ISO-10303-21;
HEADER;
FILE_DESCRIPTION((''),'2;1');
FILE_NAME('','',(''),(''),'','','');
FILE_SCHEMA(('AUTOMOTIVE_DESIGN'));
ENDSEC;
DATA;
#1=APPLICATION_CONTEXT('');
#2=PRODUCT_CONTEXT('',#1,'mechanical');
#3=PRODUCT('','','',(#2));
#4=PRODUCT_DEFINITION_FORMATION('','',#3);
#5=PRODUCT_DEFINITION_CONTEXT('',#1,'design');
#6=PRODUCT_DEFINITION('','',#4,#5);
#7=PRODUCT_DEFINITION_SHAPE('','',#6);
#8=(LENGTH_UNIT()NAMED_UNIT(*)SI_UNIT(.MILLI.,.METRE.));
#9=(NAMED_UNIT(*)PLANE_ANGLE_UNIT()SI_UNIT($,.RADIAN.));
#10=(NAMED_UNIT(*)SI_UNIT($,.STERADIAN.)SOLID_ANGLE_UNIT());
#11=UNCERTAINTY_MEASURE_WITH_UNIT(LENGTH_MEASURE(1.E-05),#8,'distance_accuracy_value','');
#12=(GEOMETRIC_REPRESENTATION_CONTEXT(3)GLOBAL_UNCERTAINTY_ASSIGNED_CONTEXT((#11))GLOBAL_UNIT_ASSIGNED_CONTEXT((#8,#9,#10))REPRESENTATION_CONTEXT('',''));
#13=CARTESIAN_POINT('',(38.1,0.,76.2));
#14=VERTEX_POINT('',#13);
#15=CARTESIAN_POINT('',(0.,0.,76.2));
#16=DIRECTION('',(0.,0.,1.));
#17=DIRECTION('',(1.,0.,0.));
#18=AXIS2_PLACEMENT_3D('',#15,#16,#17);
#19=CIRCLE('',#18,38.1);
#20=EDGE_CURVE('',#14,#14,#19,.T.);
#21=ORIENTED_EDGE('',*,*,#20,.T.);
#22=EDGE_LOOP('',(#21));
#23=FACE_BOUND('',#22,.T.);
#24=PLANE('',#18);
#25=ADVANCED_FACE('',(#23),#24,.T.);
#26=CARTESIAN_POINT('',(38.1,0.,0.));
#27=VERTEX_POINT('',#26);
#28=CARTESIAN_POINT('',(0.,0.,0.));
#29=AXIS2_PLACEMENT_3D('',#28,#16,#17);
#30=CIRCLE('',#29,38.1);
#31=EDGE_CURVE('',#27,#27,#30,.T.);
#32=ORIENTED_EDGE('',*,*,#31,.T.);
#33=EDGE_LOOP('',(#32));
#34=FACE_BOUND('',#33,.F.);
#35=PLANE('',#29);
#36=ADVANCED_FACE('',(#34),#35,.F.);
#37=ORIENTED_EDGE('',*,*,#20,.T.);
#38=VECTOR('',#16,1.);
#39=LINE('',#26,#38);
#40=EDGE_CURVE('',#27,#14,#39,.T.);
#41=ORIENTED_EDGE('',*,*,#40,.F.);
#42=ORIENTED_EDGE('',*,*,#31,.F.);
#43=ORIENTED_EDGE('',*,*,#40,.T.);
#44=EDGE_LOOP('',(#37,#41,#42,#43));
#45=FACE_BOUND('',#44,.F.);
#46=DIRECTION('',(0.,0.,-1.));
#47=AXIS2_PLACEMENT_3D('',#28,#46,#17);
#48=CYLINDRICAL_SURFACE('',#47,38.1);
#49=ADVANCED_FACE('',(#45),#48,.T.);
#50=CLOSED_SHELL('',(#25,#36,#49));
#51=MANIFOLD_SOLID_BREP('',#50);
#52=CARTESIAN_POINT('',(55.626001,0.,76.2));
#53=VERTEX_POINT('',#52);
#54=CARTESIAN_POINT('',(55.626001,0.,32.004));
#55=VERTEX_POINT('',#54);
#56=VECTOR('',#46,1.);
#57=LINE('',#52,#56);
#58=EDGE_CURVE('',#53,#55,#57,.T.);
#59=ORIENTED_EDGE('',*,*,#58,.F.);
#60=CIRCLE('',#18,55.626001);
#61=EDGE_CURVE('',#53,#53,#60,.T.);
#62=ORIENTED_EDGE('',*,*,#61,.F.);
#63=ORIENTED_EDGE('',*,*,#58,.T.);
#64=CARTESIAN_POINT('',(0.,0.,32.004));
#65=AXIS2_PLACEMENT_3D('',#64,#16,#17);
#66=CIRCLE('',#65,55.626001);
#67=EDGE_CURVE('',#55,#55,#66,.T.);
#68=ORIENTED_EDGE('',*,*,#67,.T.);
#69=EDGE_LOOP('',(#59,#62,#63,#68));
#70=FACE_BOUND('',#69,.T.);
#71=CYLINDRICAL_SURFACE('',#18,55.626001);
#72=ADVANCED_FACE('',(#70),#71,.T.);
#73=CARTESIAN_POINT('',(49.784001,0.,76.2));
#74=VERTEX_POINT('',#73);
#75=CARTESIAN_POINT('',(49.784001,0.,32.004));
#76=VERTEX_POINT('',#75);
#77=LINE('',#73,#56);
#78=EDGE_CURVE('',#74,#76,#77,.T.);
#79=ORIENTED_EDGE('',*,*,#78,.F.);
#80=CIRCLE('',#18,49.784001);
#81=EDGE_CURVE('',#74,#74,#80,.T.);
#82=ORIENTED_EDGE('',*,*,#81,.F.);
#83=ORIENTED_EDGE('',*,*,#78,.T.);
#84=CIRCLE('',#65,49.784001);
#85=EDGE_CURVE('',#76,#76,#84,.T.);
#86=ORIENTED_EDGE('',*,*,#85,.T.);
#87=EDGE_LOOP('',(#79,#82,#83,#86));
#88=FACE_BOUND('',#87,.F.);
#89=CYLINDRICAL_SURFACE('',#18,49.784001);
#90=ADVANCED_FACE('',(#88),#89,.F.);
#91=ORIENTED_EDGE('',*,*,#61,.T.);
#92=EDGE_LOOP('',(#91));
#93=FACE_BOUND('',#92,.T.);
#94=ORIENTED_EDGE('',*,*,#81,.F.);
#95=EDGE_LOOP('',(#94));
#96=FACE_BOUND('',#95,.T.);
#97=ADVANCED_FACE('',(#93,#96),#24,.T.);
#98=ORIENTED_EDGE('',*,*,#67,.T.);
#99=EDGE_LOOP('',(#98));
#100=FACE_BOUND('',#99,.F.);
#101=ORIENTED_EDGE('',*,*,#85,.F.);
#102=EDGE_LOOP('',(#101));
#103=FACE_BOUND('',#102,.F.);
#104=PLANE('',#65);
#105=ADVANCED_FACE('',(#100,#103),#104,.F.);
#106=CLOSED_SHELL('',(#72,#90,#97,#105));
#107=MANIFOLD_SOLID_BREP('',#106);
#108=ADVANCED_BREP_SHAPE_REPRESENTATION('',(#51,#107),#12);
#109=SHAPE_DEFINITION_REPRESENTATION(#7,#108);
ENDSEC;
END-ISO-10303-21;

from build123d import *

# Parameters (mm, degrees)
F0_R     = 38.1
F1_DEPTH = 76.2
F2_R     = 55.626001
F2_R_2   = 49.784001
F3_DEPTH = 44.196


with BuildPart() as f1:
    # F0 (on Top) → F1 (new body)
    with BuildSketch(Plane.XY):
        Circle(F0_R)
    extrude(amount=F1_DEPTH)


with BuildPart() as f3:
    # F2 (on face) → F3 (new body)
    with BuildSketch(Plane.XY.offset(76.2)):
        Circle(F2_R)
        Circle(F2_R_2, mode=Mode.SUBTRACT)
    extrude(amount=-F3_DEPTH)


solid = Compound([f1.part, f3.part])
